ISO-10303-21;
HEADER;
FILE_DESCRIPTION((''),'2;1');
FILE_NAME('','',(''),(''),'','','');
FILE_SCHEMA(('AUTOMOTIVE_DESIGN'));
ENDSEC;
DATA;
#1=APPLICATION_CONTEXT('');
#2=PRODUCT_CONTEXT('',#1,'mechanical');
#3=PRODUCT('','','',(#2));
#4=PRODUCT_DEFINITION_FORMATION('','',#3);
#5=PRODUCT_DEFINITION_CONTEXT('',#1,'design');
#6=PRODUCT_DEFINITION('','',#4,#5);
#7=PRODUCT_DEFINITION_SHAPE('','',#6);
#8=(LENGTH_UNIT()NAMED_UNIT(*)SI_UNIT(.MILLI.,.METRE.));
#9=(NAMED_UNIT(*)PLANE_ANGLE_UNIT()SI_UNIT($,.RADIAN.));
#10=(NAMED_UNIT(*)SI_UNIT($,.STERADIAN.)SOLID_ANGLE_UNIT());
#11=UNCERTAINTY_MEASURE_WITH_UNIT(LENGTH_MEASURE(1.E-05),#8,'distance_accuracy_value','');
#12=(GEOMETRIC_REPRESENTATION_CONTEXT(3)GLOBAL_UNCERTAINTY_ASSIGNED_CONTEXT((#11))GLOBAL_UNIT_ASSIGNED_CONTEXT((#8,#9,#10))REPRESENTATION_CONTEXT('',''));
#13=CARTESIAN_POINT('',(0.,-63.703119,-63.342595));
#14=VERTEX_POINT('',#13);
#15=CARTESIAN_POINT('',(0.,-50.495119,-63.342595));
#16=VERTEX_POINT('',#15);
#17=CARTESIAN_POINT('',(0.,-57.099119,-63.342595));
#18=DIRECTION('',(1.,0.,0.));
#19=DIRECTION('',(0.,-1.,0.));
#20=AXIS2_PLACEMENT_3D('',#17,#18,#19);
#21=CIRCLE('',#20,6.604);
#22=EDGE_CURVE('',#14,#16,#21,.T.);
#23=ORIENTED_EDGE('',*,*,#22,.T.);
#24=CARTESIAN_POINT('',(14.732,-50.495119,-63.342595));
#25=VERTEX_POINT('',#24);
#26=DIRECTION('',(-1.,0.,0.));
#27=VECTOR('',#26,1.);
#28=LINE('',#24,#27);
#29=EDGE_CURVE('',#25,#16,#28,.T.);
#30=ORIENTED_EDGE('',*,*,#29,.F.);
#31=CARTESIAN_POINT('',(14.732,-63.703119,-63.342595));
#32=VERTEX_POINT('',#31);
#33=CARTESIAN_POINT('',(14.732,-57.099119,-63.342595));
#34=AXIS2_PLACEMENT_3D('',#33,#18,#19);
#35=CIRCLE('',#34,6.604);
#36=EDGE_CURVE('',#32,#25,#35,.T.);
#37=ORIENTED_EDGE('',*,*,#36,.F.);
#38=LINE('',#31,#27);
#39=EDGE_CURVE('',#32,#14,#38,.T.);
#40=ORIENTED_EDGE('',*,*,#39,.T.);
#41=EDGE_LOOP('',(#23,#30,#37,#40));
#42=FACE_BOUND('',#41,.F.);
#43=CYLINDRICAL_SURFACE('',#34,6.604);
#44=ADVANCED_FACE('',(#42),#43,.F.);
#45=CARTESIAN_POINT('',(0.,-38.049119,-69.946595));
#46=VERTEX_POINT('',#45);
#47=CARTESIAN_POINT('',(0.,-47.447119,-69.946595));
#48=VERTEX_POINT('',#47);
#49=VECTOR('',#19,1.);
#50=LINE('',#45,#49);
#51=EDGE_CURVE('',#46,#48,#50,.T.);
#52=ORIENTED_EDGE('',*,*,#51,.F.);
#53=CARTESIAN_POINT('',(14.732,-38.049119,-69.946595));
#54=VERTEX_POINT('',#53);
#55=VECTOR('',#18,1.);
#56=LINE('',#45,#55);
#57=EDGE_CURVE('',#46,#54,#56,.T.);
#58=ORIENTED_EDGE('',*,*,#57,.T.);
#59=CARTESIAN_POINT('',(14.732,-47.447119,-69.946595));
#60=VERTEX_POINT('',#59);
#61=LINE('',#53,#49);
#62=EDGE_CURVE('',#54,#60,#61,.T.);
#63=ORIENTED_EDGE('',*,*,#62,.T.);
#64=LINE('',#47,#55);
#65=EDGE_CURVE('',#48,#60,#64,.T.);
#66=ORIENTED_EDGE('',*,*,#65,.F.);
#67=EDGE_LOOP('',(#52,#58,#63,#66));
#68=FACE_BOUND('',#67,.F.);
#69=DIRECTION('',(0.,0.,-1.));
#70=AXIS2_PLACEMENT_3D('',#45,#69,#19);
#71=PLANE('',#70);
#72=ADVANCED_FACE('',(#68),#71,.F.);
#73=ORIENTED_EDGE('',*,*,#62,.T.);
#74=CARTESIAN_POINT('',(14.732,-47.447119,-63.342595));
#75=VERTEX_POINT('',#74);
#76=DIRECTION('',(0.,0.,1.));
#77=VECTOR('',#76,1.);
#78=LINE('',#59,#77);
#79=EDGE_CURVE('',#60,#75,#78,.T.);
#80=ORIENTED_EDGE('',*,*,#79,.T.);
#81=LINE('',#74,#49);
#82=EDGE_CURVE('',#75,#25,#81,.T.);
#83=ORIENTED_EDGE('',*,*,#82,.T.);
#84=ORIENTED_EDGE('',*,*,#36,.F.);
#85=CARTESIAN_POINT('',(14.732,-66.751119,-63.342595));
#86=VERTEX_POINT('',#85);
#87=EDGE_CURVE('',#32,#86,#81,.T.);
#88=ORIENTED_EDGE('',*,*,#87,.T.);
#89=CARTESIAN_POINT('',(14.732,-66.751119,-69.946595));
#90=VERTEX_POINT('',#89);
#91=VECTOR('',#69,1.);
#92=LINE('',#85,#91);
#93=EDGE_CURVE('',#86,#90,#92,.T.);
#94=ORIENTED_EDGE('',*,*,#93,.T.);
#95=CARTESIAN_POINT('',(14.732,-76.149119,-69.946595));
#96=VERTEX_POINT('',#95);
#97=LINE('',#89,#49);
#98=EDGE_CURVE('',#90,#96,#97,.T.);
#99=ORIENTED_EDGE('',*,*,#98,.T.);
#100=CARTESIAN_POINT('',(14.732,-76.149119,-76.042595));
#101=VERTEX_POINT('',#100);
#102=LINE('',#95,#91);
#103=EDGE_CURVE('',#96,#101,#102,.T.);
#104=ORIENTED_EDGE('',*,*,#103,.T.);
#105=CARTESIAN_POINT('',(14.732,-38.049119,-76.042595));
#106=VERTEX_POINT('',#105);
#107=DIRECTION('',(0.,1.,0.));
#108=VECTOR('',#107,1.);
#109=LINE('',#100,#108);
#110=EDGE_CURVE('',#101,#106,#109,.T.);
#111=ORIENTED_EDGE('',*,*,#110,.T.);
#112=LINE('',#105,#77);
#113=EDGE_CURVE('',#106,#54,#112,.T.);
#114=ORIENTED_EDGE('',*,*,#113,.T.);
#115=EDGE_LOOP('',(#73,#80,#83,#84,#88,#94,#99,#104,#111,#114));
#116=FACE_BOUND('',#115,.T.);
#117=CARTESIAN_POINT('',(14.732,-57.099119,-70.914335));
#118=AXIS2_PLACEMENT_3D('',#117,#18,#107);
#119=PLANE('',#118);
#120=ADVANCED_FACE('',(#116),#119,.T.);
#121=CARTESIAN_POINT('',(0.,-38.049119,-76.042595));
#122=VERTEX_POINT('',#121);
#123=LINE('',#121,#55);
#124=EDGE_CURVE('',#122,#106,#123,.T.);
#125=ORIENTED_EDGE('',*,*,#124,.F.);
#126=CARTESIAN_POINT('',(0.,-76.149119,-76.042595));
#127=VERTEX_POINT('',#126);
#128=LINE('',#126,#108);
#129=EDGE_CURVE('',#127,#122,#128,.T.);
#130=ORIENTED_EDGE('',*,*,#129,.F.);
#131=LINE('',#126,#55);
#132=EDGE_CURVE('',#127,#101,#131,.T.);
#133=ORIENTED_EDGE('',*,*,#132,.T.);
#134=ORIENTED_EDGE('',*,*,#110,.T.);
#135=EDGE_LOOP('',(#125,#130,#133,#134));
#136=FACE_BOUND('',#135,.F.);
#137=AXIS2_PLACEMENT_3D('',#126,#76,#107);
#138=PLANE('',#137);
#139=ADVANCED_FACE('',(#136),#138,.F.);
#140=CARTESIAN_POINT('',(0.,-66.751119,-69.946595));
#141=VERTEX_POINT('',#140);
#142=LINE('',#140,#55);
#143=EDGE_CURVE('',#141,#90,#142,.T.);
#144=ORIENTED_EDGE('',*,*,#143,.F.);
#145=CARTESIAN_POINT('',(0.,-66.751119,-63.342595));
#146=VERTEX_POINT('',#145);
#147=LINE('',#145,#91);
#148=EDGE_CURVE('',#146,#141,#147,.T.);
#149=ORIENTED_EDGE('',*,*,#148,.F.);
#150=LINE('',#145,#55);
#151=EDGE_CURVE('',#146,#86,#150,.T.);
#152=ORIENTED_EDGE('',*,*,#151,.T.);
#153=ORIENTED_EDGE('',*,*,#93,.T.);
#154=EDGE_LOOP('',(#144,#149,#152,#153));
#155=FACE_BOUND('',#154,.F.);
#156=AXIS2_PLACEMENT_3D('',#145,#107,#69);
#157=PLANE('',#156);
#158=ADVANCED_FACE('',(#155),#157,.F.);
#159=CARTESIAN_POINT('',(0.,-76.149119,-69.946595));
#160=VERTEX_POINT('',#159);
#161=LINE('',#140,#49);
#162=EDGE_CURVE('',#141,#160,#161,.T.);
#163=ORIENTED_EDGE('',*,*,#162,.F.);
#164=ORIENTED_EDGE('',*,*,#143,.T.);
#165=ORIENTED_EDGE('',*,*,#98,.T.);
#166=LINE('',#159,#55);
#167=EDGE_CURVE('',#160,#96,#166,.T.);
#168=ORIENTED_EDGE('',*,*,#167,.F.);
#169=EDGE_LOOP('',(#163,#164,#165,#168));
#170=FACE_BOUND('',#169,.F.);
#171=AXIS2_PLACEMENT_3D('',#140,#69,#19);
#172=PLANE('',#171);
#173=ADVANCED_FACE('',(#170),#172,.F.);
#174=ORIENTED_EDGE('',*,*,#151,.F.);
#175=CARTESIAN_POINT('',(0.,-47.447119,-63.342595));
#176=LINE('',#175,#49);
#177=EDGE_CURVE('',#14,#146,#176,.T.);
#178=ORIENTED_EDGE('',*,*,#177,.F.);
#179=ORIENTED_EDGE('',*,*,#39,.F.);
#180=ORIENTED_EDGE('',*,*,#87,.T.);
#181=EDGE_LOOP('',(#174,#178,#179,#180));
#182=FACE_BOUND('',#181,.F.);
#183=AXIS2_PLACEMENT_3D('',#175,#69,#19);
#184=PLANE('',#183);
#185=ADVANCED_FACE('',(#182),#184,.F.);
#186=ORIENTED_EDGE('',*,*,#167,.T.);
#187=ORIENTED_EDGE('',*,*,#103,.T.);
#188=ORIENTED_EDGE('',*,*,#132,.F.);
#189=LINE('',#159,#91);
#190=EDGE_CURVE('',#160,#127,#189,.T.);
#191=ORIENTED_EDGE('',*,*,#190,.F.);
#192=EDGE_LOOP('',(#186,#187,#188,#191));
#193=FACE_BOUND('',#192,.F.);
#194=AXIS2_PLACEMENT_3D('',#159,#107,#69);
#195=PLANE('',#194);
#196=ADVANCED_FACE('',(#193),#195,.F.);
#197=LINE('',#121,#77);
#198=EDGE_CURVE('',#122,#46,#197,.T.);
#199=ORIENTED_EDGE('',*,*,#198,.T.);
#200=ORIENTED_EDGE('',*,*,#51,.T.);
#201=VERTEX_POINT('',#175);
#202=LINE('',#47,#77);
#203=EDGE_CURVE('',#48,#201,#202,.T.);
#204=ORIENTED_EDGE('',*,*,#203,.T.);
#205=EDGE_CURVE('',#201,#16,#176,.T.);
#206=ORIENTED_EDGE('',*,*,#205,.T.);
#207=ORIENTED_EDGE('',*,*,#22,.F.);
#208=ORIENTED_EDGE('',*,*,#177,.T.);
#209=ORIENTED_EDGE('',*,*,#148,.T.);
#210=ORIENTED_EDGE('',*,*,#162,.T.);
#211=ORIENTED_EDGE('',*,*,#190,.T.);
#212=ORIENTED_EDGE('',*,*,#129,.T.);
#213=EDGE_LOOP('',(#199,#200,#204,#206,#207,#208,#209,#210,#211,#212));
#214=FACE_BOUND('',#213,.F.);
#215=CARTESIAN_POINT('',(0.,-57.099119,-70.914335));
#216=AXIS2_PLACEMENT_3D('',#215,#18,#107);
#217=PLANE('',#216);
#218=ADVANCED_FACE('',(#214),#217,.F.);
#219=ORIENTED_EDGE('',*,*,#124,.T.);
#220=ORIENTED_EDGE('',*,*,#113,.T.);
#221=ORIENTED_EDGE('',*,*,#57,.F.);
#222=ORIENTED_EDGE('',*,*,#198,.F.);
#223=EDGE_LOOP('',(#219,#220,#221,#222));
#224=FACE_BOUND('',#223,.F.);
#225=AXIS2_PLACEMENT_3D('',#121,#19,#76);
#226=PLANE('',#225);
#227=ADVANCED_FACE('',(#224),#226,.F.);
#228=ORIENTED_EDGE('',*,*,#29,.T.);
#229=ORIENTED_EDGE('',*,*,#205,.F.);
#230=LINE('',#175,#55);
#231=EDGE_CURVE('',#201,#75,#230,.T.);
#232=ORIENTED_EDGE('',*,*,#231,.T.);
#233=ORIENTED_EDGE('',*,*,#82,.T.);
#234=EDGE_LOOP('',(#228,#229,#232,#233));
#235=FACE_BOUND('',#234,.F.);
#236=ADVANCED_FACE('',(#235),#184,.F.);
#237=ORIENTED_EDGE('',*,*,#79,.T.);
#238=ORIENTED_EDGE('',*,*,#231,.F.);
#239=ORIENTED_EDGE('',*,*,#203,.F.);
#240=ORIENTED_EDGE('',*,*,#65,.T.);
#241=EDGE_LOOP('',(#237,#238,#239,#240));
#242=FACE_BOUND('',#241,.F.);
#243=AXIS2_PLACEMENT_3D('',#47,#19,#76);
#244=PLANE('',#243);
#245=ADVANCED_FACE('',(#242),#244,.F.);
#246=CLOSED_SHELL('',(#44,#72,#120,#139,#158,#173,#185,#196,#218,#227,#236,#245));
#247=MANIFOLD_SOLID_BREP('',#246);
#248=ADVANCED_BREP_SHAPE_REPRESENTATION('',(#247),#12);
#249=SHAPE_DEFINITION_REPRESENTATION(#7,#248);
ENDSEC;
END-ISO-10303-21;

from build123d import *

# Parameters (mm, degrees)
F1_DEPTH = 14.732
F3_DEPTH = 14.733


with BuildPart() as f1:
    # F0 (on Right) → F1 (new body)
    with BuildSketch(Plane.YZ):
        Polygon((-76.149119, -69.946595), (-76.149119, -76.042595), (-38.049119, -76.042595), (-38.049119, -69.946595), (-47.447119, -69.946595), (-47.447119, -63.342595), (-66.751119, -63.342595), (-66.751119, -69.946595), align=None)
    extrude(amount=F1_DEPTH)

    # F2 (on face) → F3 (cut, through all)
    with BuildSketch(Plane.YZ.offset(14.732)):
        with BuildLine():
            ThreePointArc((-63.703119, -63.342595), (-57.099119, -69.946595), (-50.495119, -63.342595))
            Line((-50.495119, -63.342595), (-63.703119, -63.342595))
        make_face()
    extrude(amount=-F3_DEPTH, mode=Mode.SUBTRACT)


solid = f1.part
